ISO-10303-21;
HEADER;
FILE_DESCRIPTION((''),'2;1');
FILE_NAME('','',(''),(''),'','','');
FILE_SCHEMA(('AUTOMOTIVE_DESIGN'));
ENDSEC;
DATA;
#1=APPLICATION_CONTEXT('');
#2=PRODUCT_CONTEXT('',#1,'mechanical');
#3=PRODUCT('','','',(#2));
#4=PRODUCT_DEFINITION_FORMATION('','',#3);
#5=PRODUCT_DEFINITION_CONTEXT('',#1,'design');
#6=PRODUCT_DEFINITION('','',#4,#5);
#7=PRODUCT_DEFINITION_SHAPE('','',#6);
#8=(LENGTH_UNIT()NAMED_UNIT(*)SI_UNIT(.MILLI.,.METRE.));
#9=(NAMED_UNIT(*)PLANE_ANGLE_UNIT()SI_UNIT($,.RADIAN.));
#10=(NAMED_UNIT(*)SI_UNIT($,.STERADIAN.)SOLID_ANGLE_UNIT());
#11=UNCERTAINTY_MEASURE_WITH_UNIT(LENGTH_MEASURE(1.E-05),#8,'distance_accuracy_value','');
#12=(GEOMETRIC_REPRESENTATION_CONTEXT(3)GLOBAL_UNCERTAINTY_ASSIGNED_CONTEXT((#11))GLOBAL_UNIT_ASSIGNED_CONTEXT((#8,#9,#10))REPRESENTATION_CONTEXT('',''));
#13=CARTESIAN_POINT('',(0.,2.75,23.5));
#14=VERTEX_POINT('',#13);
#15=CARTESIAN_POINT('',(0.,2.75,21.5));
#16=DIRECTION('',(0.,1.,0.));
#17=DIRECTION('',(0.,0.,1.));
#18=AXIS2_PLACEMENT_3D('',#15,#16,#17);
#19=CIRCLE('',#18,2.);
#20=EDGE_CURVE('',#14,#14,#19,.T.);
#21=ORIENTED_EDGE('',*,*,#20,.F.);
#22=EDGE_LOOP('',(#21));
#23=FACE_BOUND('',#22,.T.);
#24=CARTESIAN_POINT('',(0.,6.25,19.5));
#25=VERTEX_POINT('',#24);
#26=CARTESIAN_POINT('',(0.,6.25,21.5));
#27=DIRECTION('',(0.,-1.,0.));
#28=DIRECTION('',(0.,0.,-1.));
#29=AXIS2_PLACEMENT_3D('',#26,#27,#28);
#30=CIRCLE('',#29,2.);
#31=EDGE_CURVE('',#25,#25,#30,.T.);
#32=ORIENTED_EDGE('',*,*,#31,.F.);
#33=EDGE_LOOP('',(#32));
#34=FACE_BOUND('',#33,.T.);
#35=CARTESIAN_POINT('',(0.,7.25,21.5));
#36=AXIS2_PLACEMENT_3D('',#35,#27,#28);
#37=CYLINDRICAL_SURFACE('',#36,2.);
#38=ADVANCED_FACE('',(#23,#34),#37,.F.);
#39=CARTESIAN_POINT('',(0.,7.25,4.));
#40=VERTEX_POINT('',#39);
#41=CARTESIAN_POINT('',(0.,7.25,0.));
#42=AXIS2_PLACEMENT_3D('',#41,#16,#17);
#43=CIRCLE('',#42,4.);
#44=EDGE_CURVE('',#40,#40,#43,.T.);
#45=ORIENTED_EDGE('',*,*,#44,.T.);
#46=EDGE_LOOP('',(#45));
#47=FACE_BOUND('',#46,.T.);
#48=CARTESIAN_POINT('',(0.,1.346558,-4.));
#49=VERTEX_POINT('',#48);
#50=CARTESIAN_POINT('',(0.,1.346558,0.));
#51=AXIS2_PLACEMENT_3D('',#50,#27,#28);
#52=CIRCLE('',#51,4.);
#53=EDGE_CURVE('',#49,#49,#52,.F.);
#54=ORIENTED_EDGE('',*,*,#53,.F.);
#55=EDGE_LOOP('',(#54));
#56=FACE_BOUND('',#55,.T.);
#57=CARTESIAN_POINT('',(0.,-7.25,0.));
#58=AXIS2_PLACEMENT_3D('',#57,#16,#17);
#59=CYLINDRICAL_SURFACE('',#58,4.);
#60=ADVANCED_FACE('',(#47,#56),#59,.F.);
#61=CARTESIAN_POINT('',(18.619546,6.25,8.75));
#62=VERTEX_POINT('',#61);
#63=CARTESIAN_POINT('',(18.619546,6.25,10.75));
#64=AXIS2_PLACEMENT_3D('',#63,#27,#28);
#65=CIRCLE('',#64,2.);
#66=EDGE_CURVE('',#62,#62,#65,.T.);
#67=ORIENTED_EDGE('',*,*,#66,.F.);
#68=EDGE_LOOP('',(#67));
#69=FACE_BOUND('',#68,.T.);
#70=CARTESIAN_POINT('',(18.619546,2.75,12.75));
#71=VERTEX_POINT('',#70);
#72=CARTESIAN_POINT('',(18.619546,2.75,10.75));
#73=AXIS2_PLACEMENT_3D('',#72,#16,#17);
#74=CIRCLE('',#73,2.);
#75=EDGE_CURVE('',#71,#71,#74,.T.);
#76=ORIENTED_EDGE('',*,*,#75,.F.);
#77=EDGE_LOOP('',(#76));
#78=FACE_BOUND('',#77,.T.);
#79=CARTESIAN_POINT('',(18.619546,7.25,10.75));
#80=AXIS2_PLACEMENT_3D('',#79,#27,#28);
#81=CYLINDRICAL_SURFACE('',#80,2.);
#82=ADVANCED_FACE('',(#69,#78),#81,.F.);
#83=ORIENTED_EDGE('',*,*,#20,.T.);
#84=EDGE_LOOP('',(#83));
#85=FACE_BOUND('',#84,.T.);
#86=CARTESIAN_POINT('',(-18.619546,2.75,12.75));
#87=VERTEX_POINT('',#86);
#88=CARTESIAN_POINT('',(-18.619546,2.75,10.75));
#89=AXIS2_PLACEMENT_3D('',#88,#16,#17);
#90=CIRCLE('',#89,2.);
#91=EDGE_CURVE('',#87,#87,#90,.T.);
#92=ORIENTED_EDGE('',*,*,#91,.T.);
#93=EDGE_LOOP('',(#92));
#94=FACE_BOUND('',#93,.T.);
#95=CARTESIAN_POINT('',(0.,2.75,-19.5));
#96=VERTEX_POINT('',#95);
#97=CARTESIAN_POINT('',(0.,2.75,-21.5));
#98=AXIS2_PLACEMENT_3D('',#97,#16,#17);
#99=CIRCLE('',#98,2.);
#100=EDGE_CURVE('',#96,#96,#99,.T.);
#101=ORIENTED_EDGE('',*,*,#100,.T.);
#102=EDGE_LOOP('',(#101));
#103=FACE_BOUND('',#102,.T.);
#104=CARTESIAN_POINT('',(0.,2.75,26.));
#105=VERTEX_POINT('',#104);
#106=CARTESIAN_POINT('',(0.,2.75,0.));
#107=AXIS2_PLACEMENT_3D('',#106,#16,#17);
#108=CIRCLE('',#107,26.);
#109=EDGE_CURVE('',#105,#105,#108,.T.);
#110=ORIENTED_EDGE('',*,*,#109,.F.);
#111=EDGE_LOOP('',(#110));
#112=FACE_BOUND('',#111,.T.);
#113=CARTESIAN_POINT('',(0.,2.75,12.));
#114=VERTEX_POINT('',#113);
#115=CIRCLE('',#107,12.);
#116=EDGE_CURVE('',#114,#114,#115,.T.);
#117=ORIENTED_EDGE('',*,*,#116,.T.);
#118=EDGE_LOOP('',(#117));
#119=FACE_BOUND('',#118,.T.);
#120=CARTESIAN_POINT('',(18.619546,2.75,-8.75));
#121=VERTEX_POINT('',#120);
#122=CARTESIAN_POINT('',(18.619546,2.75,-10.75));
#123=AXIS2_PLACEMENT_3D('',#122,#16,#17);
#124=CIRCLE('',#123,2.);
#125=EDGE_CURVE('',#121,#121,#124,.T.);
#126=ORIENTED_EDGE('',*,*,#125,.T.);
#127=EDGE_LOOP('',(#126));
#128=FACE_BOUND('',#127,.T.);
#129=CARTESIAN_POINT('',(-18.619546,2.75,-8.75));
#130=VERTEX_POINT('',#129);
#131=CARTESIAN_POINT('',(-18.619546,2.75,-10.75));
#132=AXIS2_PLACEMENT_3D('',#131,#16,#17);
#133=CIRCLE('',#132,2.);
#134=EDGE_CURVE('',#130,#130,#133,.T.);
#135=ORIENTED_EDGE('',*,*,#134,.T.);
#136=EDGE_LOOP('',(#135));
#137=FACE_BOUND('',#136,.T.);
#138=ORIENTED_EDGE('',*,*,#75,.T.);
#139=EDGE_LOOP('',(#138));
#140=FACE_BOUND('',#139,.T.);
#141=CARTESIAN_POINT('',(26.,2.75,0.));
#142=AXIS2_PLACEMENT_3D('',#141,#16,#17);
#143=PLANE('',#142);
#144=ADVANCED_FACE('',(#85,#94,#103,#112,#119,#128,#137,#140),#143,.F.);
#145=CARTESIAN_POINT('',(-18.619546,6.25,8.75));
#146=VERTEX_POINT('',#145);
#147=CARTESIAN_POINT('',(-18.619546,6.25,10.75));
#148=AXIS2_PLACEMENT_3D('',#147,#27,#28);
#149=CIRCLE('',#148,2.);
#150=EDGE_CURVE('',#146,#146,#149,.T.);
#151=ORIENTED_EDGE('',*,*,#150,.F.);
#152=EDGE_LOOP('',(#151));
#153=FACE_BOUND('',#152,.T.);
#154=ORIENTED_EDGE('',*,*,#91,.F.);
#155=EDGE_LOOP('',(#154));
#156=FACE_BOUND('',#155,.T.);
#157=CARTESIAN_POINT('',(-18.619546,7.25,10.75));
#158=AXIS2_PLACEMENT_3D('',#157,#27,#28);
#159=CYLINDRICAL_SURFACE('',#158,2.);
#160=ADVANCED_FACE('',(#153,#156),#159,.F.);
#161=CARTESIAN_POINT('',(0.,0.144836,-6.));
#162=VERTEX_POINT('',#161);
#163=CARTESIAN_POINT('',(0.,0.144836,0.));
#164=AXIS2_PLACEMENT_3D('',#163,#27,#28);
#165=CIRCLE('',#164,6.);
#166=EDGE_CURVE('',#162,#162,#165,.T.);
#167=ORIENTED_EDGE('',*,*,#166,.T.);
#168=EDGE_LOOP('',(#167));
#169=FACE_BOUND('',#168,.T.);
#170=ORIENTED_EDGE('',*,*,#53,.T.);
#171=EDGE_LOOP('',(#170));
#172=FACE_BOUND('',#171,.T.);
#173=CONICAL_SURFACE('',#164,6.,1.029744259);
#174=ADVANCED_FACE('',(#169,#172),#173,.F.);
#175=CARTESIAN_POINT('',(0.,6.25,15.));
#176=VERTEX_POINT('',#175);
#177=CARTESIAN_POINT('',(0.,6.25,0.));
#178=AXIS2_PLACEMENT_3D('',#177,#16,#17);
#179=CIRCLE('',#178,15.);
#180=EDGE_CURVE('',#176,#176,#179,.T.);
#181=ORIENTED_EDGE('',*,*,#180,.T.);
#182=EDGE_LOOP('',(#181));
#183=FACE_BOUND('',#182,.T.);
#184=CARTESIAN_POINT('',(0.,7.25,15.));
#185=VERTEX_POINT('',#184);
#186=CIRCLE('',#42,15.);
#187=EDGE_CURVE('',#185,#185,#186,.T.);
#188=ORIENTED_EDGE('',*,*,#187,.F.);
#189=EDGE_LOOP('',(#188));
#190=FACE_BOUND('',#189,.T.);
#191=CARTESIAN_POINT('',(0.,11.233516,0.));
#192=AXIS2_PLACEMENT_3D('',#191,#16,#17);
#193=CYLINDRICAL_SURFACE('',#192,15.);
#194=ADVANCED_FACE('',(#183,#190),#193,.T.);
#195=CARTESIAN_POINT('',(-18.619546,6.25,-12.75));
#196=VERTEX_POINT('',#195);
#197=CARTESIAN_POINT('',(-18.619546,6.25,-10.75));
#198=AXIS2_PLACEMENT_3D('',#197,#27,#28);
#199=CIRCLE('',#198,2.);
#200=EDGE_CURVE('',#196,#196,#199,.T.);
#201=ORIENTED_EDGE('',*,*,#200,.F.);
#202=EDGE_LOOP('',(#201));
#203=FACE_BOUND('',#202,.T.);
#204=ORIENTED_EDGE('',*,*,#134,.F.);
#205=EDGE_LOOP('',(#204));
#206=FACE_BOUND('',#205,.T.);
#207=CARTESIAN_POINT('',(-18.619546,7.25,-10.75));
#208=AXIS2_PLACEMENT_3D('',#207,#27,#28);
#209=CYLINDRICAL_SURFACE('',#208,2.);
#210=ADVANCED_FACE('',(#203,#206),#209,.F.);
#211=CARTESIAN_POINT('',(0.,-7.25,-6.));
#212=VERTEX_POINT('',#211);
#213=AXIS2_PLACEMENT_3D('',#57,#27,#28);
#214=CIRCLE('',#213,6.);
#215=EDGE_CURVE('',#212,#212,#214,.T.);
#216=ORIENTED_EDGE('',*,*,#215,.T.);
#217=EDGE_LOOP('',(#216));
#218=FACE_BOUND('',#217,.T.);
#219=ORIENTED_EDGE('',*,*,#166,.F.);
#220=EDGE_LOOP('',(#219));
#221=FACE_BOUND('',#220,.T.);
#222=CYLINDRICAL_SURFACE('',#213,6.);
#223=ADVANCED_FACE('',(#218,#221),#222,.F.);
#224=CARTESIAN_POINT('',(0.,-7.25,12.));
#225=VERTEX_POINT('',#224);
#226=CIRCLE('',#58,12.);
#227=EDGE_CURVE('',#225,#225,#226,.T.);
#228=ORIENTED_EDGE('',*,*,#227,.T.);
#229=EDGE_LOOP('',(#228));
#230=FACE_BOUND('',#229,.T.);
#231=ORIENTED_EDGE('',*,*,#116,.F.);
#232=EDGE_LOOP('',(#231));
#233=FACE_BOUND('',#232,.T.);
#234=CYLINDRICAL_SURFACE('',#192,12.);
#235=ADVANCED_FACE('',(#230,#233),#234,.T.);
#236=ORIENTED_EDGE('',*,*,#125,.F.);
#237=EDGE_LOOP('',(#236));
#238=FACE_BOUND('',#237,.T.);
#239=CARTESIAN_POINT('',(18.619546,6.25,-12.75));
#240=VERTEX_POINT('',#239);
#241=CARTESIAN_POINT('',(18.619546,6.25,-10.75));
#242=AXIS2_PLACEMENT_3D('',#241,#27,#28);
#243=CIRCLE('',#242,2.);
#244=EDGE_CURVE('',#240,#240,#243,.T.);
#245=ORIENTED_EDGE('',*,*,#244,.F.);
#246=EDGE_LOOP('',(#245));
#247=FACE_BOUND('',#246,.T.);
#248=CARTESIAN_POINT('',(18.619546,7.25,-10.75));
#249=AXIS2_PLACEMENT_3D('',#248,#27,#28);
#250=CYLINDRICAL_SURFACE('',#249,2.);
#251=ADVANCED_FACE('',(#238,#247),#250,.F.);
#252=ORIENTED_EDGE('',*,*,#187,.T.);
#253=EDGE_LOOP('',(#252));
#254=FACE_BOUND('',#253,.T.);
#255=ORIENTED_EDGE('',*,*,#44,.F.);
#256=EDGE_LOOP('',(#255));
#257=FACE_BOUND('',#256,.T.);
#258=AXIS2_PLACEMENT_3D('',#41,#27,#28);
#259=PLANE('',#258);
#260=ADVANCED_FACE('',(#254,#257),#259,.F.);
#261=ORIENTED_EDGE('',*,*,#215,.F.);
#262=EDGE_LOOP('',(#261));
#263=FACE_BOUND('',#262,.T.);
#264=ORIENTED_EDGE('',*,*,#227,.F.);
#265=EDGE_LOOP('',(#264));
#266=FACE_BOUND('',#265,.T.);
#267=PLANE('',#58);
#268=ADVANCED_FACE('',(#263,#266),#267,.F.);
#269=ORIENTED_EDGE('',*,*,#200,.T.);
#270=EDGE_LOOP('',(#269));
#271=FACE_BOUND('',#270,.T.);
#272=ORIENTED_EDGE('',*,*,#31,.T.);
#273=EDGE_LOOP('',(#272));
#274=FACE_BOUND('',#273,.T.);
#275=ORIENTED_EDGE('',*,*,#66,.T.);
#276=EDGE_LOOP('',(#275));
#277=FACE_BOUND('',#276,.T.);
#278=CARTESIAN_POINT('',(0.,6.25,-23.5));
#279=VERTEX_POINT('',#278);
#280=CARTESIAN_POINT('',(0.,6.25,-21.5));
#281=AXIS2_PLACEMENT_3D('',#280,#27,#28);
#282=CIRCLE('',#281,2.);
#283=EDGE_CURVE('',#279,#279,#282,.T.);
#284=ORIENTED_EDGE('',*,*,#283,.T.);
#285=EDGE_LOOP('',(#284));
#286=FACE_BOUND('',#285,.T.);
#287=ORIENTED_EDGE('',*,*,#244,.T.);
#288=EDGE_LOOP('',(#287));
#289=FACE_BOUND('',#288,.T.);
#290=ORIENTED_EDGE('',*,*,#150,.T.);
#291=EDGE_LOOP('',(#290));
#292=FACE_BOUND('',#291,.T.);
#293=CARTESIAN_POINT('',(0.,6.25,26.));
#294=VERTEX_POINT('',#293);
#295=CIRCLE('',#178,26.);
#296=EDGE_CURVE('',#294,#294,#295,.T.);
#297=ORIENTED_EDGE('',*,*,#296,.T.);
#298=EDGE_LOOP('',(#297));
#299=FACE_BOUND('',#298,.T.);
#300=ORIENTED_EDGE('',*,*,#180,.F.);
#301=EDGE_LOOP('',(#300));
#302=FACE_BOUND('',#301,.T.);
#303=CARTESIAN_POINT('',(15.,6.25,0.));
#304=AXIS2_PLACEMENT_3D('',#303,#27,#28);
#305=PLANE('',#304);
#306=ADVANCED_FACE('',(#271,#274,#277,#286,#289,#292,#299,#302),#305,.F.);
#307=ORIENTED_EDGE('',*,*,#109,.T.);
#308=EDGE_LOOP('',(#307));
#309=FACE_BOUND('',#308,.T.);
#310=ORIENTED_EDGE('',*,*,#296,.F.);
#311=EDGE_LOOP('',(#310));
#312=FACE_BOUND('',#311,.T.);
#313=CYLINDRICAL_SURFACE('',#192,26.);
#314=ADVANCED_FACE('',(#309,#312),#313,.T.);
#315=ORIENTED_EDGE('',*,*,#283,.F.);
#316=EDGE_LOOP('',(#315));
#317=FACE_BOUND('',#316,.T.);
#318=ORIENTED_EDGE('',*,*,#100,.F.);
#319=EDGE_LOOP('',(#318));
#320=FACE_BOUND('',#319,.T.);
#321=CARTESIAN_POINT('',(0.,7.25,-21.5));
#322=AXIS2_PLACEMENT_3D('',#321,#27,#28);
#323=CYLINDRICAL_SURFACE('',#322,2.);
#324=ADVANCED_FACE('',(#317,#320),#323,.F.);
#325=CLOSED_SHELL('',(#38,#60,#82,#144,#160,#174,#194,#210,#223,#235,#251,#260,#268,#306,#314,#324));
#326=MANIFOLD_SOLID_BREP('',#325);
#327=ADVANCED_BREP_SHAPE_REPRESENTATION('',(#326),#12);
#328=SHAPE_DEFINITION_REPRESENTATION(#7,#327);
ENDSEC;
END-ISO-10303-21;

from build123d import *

# Parameters (mm, degrees)
TAP_DRILL_FOR_M12X1_25_TAP1_D     = 12
TAP_DRILL_FOR_M12X1_25_TAP1_DEPTH = 7.394836286
TAP_DRILL_FOR_M12X1_25_TAP1_TIP   = 3.605163714
SKETCH5_R                         = 4
CUT_EXTRUDE1_DEPTH                = 40.525308348
CUT_EXTRUDE2_DEPTH                = 39.105117767
CUT_EXTRUDE2_DEPTH_BACK           = 39.105117767
SKETCH6_R                         = 2


with BuildPart() as part:
    # Sketch1 → Revolve1 (revolve)
    with BuildSketch(Plane.XY, mode=Mode.PRIVATE) as revolve1_sk:
        Polygon((0, 7.25), (0, -7.25), (12, -7.25), (12, 2.75), (26, 2.75), (26, 6.25), (15, 6.25), (15, 7.25), align=None)
    revolve(revolve1_sk.sketch.rotate(Axis((0, 11.233516484, 0), (0, -1, 0)), 90), axis=Axis((0, 11.233516484, 0), (0, -1, 0)))

    # Tap Drill for M12x1.25 Tap1
    with Locations(Plane(origin=(0, -7.25, 0), x_dir=(-1, 0, 0), z_dir=(0, -1, 0))):
        with Locations((0, 0)):
            Hole(TAP_DRILL_FOR_M12X1_25_TAP1_D / 2, depth=TAP_DRILL_FOR_M12X1_25_TAP1_DEPTH)
            with Locations((0, 0, -(TAP_DRILL_FOR_M12X1_25_TAP1_DEPTH + TAP_DRILL_FOR_M12X1_25_TAP1_TIP / 2))):  # 118° drill point
                Cone(0, TAP_DRILL_FOR_M12X1_25_TAP1_D / 2, TAP_DRILL_FOR_M12X1_25_TAP1_TIP, mode=Mode.SUBTRACT)

    # Sketch5 → Cut-Extrude1 (cut, through all)
    with BuildSketch(Plane(origin=(0, 7.25, 0), x_dir=(1, 0, 0), z_dir=(0, 1, 0))):
        with Locations(Location((0, 0, 0), (0, 0, 270))):
            Circle(SKETCH5_R)
    extrude(amount=-CUT_EXTRUDE1_DEPTH, mode=Mode.SUBTRACT)

    # Sketch6 → Cut-Extrude2 (cut, two sides: drawn at the far end of the back side and taken through both)
    with BuildSketch(Plane.XZ.offset(-2.75).offset(-CUT_EXTRUDE2_DEPTH_BACK)):
        with Locations(Location((-18.619546181, 10.75, 0), (0, 0, 270))):
            Circle(SKETCH6_R)
        with Locations(Location((0, 21.5, 0), (0, 0, 270))):
            Circle(SKETCH6_R)
        with Locations(Location((18.619546181, 10.75, 0), (0, 0, 270))):
            Circle(SKETCH6_R)
        with Locations(Location((18.619546181, -10.75, 0), (0, 0, 270))):
            Circle(SKETCH6_R)
        with Locations(Location((0, -21.5, 0), (0, 0, 270))):
            Circle(SKETCH6_R)
        with Locations(Location((-18.619546181, -10.75, 0), (0, 0, 270))):
            Circle(SKETCH6_R)
    extrude(amount=CUT_EXTRUDE2_DEPTH + CUT_EXTRUDE2_DEPTH_BACK, mode=Mode.SUBTRACT)


solid = part.part
